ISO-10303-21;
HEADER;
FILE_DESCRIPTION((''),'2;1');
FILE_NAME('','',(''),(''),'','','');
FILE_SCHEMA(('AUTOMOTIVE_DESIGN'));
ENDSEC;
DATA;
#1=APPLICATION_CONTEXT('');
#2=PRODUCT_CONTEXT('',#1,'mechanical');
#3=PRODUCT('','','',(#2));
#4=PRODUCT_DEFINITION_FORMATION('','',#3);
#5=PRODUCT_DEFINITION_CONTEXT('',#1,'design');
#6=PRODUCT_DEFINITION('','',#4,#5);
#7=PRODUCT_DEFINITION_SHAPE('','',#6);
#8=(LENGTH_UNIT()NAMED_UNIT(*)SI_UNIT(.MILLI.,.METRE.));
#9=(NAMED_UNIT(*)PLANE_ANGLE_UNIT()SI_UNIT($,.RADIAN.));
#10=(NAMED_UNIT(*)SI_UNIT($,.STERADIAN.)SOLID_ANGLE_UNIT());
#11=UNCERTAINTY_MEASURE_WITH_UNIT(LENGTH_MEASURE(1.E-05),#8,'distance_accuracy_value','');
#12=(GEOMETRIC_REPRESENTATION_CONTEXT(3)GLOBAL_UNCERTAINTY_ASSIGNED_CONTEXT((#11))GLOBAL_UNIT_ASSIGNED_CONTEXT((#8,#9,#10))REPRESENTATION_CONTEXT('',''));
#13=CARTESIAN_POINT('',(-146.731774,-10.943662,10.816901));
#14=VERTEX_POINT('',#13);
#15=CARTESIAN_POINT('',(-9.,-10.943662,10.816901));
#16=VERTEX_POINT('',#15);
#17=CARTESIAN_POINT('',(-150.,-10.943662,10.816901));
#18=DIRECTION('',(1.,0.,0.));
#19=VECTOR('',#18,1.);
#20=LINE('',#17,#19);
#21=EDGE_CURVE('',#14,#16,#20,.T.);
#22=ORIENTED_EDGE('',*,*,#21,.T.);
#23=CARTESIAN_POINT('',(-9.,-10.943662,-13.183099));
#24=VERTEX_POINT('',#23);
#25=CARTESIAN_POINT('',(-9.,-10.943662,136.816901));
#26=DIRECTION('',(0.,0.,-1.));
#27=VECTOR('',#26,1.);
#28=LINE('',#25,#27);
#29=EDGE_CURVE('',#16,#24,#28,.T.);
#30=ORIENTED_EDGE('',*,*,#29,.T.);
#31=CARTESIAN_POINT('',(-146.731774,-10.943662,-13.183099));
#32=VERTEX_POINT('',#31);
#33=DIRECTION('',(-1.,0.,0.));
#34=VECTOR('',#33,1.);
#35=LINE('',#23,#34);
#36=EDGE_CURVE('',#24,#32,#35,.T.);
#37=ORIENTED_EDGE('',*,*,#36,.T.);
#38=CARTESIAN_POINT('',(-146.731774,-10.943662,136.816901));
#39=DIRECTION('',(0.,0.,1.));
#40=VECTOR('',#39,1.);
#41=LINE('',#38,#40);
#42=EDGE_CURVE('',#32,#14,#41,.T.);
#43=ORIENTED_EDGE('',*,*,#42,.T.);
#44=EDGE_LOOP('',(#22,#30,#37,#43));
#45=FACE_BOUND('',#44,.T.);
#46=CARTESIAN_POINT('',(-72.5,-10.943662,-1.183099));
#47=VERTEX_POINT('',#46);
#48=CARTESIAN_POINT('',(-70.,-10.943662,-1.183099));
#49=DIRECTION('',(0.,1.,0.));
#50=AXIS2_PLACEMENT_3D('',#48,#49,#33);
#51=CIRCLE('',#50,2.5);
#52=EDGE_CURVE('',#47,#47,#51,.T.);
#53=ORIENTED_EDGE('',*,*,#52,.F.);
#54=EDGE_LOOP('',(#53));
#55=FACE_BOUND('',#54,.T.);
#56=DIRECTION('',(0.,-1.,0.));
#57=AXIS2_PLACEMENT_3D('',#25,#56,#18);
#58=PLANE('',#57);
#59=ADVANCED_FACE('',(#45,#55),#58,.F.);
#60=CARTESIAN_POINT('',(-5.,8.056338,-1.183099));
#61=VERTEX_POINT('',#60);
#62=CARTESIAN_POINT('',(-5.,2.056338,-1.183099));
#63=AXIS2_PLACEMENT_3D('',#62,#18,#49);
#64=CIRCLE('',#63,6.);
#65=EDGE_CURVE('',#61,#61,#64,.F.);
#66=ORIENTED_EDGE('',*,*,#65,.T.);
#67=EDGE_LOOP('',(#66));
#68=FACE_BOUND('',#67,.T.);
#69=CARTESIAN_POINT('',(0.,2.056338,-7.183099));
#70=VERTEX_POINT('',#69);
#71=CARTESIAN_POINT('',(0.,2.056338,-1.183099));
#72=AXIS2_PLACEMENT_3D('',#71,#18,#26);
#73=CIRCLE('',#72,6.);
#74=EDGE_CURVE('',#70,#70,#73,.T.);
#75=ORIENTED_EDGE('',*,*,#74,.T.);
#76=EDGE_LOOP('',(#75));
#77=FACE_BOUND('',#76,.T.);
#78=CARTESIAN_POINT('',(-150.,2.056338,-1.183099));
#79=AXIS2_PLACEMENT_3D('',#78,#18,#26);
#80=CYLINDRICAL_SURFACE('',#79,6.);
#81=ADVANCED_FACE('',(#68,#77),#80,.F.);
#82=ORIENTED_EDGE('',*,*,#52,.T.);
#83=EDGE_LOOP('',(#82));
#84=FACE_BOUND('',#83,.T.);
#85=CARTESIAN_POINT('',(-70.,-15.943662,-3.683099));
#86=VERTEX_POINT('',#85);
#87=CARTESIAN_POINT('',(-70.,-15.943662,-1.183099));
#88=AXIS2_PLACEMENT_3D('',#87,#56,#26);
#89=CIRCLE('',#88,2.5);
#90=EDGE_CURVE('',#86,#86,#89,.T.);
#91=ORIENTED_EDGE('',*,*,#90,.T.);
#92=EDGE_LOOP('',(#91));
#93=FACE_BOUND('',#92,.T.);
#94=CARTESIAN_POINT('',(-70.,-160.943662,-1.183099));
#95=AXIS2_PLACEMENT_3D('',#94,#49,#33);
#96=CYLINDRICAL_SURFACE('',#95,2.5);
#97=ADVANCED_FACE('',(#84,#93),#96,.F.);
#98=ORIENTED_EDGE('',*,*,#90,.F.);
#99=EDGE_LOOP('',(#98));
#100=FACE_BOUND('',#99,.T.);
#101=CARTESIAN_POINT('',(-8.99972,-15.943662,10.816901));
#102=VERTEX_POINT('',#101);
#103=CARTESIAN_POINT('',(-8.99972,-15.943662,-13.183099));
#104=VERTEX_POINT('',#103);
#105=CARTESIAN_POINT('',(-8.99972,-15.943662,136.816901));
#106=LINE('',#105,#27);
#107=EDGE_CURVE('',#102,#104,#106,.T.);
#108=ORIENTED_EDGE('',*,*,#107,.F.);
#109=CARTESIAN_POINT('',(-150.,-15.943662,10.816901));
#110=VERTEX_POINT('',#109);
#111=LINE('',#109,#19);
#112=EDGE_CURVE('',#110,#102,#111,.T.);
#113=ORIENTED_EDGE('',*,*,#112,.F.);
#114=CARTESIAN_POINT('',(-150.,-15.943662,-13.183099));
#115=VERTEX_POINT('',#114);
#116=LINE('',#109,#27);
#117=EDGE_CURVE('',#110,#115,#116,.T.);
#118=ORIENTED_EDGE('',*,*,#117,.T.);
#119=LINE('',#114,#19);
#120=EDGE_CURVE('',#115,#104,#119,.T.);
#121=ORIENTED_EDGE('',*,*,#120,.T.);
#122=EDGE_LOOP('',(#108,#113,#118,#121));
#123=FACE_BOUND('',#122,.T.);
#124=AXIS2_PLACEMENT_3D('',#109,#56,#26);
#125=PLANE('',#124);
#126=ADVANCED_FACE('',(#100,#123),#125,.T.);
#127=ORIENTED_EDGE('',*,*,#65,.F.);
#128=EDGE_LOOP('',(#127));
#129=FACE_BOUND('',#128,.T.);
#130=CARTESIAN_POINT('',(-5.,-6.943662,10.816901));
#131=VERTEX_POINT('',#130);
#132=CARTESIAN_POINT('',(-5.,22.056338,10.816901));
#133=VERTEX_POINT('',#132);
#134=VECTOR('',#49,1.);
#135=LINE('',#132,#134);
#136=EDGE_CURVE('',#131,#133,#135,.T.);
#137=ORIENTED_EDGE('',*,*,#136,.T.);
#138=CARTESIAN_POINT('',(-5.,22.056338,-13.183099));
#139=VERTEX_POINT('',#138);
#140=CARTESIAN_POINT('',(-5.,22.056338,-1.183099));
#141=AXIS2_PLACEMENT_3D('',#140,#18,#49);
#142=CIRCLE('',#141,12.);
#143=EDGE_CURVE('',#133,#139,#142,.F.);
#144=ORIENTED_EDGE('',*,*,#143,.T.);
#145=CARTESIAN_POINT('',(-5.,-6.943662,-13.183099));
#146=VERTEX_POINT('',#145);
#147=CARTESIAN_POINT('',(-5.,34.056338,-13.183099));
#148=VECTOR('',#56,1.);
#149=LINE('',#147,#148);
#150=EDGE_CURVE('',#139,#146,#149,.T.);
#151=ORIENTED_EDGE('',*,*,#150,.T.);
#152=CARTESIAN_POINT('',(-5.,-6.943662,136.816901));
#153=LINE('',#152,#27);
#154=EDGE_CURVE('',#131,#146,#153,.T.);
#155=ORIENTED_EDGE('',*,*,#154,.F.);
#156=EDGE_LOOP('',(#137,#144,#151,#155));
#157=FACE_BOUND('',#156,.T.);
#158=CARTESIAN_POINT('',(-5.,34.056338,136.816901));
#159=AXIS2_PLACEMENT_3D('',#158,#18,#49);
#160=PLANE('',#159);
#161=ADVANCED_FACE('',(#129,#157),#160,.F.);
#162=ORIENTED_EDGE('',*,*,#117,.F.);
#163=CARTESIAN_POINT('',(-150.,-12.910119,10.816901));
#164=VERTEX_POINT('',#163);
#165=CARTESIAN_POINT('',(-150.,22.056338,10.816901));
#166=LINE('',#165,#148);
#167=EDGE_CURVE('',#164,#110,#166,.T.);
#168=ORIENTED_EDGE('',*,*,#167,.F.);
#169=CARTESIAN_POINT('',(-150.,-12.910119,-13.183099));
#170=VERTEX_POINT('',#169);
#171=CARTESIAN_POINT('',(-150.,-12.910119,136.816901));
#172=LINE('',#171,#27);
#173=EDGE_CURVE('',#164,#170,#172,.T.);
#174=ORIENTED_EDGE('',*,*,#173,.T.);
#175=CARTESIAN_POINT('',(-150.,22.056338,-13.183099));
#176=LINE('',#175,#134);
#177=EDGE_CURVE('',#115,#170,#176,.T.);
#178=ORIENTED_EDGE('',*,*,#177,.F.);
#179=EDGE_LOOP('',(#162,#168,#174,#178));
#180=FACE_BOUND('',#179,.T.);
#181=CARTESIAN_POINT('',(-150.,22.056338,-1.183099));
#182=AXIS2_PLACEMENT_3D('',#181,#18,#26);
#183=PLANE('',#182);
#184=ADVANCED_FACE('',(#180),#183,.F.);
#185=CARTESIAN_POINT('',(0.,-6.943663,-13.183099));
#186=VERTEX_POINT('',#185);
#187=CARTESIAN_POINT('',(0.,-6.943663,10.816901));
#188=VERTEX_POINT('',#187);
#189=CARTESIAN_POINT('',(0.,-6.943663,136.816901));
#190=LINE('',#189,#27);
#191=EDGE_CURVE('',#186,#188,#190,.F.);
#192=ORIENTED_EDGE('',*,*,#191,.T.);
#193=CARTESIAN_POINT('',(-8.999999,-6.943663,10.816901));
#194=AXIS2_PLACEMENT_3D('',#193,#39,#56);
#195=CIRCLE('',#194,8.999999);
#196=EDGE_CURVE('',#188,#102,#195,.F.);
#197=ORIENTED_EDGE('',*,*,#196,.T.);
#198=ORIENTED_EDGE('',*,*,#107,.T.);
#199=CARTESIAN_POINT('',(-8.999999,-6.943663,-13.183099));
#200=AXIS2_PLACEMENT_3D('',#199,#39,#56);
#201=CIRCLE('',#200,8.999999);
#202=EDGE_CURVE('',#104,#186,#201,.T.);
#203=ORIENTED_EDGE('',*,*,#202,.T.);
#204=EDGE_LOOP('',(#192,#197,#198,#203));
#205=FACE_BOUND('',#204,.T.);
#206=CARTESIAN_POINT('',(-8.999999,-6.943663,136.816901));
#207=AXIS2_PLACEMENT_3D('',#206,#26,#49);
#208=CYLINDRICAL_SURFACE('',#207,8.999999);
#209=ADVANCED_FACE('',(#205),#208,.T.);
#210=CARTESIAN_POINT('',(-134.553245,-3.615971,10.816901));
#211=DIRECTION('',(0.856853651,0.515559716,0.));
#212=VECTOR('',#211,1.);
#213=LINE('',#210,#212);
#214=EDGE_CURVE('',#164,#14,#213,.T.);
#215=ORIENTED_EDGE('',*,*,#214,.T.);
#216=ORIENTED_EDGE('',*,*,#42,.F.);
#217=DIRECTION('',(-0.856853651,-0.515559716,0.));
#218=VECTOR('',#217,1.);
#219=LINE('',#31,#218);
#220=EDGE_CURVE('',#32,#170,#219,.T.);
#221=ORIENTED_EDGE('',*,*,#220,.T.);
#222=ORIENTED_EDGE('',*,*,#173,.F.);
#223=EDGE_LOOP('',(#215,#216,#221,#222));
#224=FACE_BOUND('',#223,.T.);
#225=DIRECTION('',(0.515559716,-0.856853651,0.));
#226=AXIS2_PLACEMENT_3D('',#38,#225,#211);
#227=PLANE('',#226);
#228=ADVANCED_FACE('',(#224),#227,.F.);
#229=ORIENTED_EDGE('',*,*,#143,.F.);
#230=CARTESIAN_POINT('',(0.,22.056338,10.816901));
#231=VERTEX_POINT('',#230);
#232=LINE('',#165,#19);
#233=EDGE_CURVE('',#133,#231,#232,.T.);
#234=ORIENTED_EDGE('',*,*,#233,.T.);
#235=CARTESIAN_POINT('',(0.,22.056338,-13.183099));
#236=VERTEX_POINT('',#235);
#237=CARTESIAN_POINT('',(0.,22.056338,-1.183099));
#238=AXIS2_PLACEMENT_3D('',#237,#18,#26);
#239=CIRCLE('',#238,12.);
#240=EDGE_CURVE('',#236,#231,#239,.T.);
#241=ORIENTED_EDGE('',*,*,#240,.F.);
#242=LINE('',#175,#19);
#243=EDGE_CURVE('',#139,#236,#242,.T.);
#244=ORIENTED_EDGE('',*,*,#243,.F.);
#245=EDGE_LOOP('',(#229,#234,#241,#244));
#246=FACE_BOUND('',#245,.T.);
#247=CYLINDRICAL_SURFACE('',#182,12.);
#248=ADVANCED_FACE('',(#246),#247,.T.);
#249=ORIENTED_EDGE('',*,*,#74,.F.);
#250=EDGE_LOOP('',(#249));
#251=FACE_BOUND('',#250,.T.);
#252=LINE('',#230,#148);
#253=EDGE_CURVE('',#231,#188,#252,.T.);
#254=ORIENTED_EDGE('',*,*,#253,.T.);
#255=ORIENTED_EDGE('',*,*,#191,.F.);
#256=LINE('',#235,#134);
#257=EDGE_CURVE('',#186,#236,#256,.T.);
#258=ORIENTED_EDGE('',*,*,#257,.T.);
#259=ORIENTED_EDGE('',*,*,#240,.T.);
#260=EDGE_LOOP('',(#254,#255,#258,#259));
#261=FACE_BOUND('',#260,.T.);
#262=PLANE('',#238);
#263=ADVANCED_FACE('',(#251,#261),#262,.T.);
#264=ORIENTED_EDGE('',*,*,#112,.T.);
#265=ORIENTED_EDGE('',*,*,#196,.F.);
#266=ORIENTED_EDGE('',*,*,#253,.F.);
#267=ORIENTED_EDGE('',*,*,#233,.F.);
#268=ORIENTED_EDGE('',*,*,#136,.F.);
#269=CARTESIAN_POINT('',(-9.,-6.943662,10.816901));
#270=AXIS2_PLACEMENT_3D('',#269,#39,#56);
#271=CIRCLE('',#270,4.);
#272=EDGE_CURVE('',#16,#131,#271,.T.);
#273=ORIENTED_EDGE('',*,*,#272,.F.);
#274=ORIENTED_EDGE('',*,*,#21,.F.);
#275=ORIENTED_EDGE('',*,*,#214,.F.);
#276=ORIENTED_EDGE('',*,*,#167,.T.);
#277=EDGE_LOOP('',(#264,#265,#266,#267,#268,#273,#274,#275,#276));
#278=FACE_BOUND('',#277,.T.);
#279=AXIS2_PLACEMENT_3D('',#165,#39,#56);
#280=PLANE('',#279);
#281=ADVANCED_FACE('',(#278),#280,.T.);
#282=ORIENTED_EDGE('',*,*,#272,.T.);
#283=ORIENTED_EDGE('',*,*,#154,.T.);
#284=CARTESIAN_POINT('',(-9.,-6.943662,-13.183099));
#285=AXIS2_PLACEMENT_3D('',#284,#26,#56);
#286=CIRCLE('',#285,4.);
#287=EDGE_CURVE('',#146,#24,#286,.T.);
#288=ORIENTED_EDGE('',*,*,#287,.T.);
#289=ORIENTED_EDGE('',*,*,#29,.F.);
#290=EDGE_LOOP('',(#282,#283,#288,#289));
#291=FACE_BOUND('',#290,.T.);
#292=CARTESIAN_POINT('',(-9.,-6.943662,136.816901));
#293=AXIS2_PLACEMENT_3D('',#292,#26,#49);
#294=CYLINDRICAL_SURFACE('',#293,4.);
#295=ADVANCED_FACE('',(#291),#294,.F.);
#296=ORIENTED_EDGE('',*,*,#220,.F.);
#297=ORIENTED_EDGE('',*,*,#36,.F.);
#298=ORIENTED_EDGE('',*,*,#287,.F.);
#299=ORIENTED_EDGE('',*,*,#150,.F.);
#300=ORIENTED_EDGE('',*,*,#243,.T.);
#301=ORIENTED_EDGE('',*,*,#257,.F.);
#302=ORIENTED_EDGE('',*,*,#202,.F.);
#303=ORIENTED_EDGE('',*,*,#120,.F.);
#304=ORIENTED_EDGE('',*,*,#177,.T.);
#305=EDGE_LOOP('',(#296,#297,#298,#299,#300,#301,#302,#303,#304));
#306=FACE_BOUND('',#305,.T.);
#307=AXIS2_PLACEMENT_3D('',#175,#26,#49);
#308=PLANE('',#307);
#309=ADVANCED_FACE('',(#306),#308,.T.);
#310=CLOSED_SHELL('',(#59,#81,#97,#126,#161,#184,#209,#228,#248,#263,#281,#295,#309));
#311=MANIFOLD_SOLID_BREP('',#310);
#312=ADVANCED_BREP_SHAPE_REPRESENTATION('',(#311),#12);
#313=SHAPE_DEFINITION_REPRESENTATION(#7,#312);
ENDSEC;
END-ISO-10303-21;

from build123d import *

# Parameters (mm, degrees)
SKETCH1_R           = 6
BOSS_EXTRUDE1_DEPTH = 150
CUT_EXTRUDE1_DEPTH  = 150
CUT_EXTRUDE2_DEPTH  = 150
SKETCH6_R           = 2.5
CUT_EXTRUDE3_DEPTH  = 150


with BuildPart() as part:
    # Sketch1 → Boss-Extrude1 (new body)
    with BuildSketch(Plane(origin=(0, 0, 0), x_dir=(0, 0, -1), z_dir=(1, 0, 0))):
        with BuildLine():
            Line((-10.816901408, 22.056338028), (-10.816901408, -15.943661972))
            Line((-10.816901408, -15.943661972), (13.183098592, -15.943661972))
            Line((13.183098592, -15.943661972), (13.183098592, 22.056338028))
            ThreePointArc((13.183098592, 22.056338028), (1.183098592, 34.056338028), (-10.816901408, 22.056338028))
        make_face()
        with Locations((1.183098592, 2.056338028)):
            Circle(SKETCH1_R, mode=Mode.SUBTRACT)
    extrude(amount=-BOSS_EXTRUDE1_DEPTH)

    # Sketch3 → Cut-Extrude1 (cut)
    with BuildSketch(Plane(origin=(0, 0, -13.183098592), x_dir=(-1, 0, 0), z_dir=(0, 0, -1))):
        with BuildLine():
            Line((5, 34.056338028), (5, -6.943661972))
            ThreePointArc((5, -6.943661972), (6.171572875, -9.772089097), (9, -10.943661972))
            Line((9, -10.943661972), (150, -10.943661972))
            Line((150, -10.943661972), (150, 34.056338028))
            Line((150, 34.056338028), (5, 34.056338028))
        make_face()
    extrude(amount=-CUT_EXTRUDE1_DEPTH, mode=Mode.SUBTRACT)

    # Sketch4 → Cut-Extrude2 (cut)
    with BuildSketch(Plane(origin=(0, 0, -13.183098592), x_dir=(-1, 0, 0), z_dir=(0, 0, -1))):
        Polygon((146.731773505, -10.943661972), (150, -12.910119048), (150, -10.943661972), align=None)
        with BuildLine():
            Line((0, -6.943663252), (0, -15.943661972))
            Line((0, -15.943661972), (8.999719534, -15.943661972))
            ThreePointArc((8.999719534, -15.943661972), (2.635939888, -13.307524671), (0, -6.943663252))
        make_face()
    extrude(amount=-CUT_EXTRUDE2_DEPTH, mode=Mode.SUBTRACT)

    # Sketch6 → Cut-Extrude3 (cut)
    with BuildSketch(Plane(origin=(0, -10.943661972, 0), x_dir=(1, 0, 0), z_dir=(0, 1, 0))):
        with Locations(Location((-70, 1.183098592, 0), (0, 0, 180))):
            Circle(SKETCH6_R)
    extrude(amount=-CUT_EXTRUDE3_DEPTH, mode=Mode.SUBTRACT)


solid = part.part
